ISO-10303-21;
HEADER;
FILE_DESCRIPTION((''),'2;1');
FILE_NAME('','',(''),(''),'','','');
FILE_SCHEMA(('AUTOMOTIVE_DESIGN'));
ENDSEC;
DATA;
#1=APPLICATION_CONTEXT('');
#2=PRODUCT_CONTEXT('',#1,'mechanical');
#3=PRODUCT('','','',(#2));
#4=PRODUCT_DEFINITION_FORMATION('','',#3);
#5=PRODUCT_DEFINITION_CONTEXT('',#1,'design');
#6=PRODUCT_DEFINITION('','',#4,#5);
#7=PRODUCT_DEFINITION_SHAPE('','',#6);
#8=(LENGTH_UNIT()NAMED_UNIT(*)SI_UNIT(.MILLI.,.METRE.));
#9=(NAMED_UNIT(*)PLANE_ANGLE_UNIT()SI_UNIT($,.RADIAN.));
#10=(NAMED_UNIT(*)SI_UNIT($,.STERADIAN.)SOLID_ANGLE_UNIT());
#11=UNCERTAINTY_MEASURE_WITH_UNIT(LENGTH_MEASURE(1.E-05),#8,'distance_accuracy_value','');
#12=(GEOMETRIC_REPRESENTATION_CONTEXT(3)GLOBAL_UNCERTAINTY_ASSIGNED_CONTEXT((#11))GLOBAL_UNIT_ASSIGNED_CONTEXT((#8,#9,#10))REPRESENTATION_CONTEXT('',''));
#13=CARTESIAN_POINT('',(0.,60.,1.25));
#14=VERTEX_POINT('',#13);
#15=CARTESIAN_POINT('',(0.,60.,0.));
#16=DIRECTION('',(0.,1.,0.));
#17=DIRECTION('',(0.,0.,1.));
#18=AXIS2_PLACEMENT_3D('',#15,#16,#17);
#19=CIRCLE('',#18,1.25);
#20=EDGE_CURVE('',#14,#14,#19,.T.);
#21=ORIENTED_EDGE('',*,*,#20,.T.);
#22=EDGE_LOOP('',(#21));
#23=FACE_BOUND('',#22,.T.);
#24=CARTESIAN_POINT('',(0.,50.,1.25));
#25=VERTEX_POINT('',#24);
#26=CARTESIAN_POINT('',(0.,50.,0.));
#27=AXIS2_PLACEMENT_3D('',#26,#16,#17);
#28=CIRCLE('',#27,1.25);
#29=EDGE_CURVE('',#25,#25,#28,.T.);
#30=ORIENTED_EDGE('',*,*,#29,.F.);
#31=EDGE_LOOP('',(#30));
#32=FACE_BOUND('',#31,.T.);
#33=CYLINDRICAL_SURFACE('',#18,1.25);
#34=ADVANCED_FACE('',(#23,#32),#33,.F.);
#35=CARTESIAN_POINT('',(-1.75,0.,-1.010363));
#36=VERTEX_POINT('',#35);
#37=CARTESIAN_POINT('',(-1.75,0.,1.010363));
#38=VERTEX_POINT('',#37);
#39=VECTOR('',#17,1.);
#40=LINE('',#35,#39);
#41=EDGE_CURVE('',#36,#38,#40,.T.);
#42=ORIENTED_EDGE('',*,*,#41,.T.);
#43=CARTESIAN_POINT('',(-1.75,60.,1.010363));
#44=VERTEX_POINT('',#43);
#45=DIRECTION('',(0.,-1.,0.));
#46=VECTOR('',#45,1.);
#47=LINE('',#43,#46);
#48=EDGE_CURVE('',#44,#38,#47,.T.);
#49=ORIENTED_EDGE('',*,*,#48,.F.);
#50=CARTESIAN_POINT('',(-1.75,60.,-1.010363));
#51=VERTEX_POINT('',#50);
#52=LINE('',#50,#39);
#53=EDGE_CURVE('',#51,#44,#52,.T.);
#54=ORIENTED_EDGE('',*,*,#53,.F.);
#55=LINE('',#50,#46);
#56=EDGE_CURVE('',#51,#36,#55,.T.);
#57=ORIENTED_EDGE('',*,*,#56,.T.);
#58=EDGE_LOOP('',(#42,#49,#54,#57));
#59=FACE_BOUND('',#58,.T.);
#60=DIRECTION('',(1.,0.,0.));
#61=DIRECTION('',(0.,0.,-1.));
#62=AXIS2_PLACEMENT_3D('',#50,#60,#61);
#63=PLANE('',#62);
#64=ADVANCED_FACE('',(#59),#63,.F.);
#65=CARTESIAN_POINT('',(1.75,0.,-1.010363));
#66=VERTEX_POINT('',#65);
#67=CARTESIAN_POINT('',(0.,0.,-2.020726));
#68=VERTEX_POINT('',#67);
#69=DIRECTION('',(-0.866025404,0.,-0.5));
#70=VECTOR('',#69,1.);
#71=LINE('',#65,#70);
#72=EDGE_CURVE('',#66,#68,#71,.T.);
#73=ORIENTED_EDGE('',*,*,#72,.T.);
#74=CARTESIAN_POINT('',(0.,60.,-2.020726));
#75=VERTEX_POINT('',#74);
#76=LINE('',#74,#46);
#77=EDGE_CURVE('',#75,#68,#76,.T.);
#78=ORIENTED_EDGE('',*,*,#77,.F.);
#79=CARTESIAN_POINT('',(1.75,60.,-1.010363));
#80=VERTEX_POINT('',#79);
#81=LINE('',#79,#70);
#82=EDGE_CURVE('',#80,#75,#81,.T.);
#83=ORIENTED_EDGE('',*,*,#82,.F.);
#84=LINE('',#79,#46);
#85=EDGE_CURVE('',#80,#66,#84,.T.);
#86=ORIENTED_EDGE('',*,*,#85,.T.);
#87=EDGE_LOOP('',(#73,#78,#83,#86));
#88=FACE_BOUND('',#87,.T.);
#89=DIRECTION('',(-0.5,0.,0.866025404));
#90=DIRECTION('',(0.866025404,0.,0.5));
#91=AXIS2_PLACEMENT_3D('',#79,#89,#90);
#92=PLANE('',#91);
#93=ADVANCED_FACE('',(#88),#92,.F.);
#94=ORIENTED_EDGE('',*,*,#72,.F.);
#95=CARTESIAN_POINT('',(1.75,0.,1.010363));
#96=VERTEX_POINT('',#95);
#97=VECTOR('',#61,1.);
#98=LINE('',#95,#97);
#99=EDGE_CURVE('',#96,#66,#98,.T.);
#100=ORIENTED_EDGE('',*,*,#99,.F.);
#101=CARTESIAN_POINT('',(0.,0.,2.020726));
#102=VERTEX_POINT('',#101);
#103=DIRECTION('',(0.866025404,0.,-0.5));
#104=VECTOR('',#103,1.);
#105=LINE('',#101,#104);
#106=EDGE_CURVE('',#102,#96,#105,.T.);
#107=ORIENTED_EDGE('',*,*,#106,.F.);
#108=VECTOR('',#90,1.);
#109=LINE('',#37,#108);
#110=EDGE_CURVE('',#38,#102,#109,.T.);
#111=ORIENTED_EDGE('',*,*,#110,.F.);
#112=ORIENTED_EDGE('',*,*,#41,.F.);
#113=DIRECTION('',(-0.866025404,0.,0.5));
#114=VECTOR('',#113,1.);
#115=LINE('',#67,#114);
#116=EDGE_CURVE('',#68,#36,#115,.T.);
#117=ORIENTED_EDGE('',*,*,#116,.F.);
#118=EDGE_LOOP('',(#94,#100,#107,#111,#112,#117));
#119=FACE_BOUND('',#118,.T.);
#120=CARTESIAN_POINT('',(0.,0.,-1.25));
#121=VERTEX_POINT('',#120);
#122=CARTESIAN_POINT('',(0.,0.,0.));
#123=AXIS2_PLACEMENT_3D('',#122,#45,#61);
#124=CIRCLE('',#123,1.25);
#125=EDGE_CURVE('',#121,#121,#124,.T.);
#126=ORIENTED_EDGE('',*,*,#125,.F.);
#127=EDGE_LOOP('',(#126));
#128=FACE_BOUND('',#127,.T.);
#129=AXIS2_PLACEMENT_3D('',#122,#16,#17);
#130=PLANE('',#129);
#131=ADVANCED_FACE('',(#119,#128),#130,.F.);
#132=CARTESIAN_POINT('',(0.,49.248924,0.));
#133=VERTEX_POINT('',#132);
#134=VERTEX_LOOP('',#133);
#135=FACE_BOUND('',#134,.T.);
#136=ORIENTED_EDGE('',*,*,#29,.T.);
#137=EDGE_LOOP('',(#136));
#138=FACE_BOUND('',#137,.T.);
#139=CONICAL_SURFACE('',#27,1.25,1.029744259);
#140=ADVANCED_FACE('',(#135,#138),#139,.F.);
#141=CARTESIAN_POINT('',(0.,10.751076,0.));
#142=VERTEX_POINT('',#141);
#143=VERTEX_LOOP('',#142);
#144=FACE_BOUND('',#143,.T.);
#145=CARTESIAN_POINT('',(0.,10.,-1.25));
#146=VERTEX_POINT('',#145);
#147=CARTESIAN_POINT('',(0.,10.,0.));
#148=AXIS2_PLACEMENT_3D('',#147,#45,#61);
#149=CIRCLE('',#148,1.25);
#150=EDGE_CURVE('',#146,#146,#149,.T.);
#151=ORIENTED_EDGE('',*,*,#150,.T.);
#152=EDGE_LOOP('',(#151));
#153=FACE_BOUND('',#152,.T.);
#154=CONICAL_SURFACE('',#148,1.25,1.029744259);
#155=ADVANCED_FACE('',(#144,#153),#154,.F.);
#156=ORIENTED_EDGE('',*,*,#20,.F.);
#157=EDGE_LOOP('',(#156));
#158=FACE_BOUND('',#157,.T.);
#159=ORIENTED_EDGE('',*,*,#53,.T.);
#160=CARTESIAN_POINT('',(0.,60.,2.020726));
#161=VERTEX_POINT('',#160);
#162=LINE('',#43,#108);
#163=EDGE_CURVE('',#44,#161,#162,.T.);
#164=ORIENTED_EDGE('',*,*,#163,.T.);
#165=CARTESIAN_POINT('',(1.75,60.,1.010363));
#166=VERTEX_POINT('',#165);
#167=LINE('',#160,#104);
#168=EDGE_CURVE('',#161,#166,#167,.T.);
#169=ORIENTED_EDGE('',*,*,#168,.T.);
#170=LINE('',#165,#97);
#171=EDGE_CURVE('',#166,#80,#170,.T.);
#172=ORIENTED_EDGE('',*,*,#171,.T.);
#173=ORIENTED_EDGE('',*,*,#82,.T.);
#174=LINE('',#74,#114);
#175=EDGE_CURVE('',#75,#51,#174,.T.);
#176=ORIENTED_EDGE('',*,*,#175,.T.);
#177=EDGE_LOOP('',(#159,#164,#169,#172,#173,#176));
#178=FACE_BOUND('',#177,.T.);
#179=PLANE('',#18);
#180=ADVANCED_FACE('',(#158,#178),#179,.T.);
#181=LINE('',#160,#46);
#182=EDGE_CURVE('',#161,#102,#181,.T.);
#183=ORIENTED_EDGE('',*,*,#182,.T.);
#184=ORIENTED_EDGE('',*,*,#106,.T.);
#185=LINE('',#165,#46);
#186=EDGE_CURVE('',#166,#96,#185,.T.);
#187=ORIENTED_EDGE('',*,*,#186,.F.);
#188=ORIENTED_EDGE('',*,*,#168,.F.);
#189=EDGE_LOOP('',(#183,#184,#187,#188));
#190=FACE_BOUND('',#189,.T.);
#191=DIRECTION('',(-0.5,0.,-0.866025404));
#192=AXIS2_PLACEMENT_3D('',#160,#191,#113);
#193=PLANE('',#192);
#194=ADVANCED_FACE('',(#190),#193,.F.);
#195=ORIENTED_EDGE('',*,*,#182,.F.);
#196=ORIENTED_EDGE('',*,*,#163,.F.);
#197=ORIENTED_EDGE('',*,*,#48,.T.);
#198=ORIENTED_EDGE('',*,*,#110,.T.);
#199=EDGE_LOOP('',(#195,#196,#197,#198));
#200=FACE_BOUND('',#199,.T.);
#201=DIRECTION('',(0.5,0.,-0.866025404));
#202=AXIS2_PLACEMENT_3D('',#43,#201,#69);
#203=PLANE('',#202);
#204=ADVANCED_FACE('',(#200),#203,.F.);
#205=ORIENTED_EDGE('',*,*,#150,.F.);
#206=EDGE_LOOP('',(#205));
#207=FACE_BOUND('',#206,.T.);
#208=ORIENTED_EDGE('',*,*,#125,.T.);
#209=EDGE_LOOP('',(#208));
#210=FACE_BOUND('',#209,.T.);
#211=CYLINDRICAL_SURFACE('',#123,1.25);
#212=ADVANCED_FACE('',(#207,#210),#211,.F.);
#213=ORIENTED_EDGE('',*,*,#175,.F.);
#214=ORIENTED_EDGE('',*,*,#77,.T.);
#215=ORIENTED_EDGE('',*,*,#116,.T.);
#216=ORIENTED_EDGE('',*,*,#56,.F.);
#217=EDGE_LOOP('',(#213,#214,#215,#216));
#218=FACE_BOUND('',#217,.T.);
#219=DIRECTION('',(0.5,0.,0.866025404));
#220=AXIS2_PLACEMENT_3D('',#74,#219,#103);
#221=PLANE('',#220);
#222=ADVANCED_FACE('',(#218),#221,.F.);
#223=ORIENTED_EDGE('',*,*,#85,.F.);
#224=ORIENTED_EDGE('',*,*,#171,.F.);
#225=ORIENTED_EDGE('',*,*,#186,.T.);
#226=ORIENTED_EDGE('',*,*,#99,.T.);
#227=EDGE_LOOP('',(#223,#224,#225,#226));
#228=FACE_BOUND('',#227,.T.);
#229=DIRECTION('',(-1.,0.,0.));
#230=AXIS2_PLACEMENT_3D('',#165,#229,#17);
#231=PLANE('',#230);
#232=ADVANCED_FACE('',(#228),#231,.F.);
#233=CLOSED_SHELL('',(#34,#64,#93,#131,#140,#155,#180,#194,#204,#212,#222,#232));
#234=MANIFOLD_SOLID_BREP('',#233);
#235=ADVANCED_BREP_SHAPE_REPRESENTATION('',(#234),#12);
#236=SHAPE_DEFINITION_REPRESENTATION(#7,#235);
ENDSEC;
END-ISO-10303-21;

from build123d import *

# Parameters (mm, degrees)
BOSS_EXTRUDE1_DEPTH       = 60
M3X0_5_TAPPED_HOLE1_D     = 2.5
M3X0_5_TAPPED_HOLE1_DEPTH = 10
M3X0_5_TAPPED_HOLE1_TIP   = 0.751075774
M3X0_5_TAPPED_HOLE2_D     = 2.5
M3X0_5_TAPPED_HOLE2_DEPTH = 10
M3X0_5_TAPPED_HOLE2_TIP   = 0.751075774


with BuildPart() as part:
    # Sketch1 → Boss-Extrude1 (new body)
    with BuildSketch(Plane(origin=(0, 0, 0), x_dir=(1, 0, 0), z_dir=(0, 1, 0))):
        Polygon((0, 2.020725942), (-1.75, 1.010362971), (-1.75, -1.010362971), (0, -2.020725942), (1.75, -1.010362971), (1.75, 1.010362971), align=None)
    extrude(amount=BOSS_EXTRUDE1_DEPTH)

    # M3x0.5 Tapped Hole1
    with Locations(Plane(origin=(0, 60, 0), x_dir=(1, 0, 0), z_dir=(0, 1, 0))):
        with Locations((0, 0)):
            Hole(M3X0_5_TAPPED_HOLE1_D / 2, depth=M3X0_5_TAPPED_HOLE1_DEPTH)
            with Locations((0, 0, -(M3X0_5_TAPPED_HOLE1_DEPTH + M3X0_5_TAPPED_HOLE1_TIP / 2))):  # 118° drill point
                Cone(0, M3X0_5_TAPPED_HOLE1_D / 2, M3X0_5_TAPPED_HOLE1_TIP, mode=Mode.SUBTRACT)

    # M3x0.5 Tapped Hole2
    with Locations(Plane(origin=(0, 0, 0), x_dir=(-1, 0, 0), z_dir=(0, -1, 0))):
        with Locations((0, 0)):
            Hole(M3X0_5_TAPPED_HOLE2_D / 2, depth=M3X0_5_TAPPED_HOLE2_DEPTH)
            with Locations((0, 0, -(M3X0_5_TAPPED_HOLE2_DEPTH + M3X0_5_TAPPED_HOLE2_TIP / 2))):  # 118° drill point
                Cone(0, M3X0_5_TAPPED_HOLE2_D / 2, M3X0_5_TAPPED_HOLE2_TIP, mode=Mode.SUBTRACT)


solid = part.part
